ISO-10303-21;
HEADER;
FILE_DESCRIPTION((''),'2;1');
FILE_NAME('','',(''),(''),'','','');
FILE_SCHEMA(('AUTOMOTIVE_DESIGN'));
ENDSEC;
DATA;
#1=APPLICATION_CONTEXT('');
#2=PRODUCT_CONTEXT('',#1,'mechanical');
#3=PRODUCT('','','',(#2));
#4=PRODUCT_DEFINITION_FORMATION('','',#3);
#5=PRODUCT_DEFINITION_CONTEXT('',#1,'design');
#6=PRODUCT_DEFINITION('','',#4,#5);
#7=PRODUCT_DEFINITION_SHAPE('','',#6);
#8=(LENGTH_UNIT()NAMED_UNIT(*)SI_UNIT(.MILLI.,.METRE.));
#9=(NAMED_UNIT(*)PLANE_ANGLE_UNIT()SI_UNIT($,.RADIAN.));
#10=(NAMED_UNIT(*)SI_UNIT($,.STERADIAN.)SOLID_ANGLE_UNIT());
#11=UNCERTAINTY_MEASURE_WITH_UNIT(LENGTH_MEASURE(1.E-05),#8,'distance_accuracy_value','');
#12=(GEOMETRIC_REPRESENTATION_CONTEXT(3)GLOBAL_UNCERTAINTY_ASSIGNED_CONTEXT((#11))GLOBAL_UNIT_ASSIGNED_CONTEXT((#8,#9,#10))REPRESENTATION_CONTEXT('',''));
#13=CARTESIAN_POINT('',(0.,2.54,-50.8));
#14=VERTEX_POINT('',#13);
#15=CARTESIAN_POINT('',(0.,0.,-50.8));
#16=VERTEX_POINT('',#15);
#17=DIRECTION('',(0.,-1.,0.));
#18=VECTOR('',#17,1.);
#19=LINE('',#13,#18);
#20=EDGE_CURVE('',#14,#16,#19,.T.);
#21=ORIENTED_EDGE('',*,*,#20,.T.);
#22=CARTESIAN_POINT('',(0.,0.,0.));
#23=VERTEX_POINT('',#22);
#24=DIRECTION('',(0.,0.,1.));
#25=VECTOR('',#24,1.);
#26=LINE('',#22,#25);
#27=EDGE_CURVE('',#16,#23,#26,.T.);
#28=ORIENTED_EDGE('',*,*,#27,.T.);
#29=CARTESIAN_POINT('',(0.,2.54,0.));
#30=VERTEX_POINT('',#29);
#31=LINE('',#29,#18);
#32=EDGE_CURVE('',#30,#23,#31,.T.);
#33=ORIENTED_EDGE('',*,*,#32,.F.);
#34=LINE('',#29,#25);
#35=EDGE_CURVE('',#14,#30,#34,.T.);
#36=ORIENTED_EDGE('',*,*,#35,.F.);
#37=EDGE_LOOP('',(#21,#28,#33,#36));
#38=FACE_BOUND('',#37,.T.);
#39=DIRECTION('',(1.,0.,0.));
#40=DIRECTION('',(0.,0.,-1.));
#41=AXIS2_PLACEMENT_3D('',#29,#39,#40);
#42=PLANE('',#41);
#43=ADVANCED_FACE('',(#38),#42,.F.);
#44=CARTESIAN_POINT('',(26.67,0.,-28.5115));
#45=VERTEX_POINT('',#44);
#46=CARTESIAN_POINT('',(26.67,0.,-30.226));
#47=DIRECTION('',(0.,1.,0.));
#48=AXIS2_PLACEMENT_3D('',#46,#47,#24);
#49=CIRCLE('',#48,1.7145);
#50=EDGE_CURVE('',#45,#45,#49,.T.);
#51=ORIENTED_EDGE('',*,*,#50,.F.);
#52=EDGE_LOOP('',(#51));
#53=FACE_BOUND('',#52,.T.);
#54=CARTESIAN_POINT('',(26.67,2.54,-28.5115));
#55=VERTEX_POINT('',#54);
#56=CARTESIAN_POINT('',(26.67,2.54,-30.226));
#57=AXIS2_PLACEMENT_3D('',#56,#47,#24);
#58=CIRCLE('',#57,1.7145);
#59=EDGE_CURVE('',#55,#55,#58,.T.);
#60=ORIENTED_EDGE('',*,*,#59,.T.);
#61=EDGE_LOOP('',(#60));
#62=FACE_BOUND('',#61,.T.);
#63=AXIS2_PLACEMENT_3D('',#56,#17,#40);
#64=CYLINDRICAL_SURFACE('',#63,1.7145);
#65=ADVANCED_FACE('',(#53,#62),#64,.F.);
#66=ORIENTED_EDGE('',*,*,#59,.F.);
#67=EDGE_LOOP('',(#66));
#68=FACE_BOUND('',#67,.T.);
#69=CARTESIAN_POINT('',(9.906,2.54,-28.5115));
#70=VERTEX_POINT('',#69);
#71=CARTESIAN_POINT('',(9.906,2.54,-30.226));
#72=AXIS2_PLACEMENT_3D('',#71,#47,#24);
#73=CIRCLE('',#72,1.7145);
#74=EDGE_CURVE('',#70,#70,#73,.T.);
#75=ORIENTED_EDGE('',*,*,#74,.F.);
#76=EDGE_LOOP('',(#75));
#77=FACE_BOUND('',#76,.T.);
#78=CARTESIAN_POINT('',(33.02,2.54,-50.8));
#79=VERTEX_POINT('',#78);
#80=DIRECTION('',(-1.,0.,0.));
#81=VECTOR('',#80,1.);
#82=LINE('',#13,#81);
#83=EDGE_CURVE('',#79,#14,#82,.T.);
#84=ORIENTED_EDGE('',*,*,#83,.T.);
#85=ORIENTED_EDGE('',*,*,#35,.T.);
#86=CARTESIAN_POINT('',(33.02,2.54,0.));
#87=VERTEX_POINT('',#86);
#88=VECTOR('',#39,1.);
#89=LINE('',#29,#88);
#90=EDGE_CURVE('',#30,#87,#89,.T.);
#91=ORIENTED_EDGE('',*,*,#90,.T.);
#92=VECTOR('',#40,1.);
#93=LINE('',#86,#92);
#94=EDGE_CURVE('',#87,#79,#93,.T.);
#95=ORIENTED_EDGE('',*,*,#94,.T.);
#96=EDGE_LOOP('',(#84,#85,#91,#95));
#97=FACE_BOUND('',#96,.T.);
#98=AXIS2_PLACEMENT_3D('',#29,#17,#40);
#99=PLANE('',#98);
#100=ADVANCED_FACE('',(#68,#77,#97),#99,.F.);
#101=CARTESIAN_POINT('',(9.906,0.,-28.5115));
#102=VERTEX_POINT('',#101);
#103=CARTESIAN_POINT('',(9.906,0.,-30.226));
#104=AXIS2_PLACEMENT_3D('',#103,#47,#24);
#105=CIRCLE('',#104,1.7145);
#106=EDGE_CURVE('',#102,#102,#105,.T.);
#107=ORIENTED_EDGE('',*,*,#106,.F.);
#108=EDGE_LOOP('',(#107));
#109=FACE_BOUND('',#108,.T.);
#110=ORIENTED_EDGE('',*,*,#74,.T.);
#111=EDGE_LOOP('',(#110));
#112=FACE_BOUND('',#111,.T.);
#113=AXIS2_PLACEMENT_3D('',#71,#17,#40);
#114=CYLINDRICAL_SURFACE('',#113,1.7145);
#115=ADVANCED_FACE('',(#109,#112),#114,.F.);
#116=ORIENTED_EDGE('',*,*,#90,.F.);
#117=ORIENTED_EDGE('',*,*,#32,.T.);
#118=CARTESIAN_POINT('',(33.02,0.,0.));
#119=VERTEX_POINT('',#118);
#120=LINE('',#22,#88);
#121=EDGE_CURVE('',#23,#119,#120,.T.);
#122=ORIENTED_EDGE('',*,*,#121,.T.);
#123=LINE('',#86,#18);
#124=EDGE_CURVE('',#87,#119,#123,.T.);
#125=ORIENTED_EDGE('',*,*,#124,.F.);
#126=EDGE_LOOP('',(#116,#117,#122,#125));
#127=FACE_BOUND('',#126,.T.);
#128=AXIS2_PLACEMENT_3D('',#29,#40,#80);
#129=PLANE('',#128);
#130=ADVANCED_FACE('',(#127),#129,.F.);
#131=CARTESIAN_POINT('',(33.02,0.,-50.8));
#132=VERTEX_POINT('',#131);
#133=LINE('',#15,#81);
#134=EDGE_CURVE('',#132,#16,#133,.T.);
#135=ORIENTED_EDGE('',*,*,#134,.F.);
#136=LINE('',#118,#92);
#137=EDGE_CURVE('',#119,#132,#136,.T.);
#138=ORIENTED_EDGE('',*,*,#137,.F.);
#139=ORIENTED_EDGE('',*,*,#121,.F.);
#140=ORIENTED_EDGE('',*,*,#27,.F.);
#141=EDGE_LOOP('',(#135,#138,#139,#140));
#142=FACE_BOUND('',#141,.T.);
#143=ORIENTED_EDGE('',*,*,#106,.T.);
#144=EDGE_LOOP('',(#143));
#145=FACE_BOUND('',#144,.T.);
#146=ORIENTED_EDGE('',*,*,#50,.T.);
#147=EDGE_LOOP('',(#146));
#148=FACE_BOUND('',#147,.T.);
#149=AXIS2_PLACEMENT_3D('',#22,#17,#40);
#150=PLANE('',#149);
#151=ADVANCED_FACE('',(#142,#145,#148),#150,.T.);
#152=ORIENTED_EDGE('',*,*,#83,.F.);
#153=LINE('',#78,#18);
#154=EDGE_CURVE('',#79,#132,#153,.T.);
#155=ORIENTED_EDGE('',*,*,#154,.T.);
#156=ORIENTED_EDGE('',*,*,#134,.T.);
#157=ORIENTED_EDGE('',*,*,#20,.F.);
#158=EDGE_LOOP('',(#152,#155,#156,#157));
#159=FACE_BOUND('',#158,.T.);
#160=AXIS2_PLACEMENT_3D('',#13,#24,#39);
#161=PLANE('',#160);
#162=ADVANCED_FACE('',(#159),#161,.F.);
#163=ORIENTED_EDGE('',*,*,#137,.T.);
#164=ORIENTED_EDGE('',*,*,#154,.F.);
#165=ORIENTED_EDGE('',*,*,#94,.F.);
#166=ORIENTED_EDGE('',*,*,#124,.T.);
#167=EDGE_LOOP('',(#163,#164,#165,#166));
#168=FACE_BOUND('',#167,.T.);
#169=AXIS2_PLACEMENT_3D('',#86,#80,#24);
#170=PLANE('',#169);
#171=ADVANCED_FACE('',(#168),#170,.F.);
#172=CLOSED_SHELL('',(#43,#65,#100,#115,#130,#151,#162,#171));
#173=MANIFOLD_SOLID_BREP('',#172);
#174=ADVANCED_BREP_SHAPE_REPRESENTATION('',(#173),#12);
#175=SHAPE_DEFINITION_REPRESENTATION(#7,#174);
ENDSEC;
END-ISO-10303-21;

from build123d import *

# Parameters (mm, degrees)
SKETCH1_W           = 33.02
SKETCH1_H           = 50.8
SKETCH1_R           = 1.7145
BOSS_EXTRUDE1_DEPTH = 2.54


with BuildPart() as part:
    # Sketch1 → Boss-Extrude1 (new body)
    with BuildSketch(Plane(origin=(0, 0, 0), x_dir=(1, 0, 0), z_dir=(0, 1, 0))):
        with Locations((16.51, 25.4)):
            Rectangle(SKETCH1_W, SKETCH1_H)
        with Locations((9.906, 30.226)):
            Circle(SKETCH1_R, mode=Mode.SUBTRACT)
        with Locations((26.67, 30.226)):
            Circle(SKETCH1_R, mode=Mode.SUBTRACT)
    extrude(amount=BOSS_EXTRUDE1_DEPTH)


solid = part.part
